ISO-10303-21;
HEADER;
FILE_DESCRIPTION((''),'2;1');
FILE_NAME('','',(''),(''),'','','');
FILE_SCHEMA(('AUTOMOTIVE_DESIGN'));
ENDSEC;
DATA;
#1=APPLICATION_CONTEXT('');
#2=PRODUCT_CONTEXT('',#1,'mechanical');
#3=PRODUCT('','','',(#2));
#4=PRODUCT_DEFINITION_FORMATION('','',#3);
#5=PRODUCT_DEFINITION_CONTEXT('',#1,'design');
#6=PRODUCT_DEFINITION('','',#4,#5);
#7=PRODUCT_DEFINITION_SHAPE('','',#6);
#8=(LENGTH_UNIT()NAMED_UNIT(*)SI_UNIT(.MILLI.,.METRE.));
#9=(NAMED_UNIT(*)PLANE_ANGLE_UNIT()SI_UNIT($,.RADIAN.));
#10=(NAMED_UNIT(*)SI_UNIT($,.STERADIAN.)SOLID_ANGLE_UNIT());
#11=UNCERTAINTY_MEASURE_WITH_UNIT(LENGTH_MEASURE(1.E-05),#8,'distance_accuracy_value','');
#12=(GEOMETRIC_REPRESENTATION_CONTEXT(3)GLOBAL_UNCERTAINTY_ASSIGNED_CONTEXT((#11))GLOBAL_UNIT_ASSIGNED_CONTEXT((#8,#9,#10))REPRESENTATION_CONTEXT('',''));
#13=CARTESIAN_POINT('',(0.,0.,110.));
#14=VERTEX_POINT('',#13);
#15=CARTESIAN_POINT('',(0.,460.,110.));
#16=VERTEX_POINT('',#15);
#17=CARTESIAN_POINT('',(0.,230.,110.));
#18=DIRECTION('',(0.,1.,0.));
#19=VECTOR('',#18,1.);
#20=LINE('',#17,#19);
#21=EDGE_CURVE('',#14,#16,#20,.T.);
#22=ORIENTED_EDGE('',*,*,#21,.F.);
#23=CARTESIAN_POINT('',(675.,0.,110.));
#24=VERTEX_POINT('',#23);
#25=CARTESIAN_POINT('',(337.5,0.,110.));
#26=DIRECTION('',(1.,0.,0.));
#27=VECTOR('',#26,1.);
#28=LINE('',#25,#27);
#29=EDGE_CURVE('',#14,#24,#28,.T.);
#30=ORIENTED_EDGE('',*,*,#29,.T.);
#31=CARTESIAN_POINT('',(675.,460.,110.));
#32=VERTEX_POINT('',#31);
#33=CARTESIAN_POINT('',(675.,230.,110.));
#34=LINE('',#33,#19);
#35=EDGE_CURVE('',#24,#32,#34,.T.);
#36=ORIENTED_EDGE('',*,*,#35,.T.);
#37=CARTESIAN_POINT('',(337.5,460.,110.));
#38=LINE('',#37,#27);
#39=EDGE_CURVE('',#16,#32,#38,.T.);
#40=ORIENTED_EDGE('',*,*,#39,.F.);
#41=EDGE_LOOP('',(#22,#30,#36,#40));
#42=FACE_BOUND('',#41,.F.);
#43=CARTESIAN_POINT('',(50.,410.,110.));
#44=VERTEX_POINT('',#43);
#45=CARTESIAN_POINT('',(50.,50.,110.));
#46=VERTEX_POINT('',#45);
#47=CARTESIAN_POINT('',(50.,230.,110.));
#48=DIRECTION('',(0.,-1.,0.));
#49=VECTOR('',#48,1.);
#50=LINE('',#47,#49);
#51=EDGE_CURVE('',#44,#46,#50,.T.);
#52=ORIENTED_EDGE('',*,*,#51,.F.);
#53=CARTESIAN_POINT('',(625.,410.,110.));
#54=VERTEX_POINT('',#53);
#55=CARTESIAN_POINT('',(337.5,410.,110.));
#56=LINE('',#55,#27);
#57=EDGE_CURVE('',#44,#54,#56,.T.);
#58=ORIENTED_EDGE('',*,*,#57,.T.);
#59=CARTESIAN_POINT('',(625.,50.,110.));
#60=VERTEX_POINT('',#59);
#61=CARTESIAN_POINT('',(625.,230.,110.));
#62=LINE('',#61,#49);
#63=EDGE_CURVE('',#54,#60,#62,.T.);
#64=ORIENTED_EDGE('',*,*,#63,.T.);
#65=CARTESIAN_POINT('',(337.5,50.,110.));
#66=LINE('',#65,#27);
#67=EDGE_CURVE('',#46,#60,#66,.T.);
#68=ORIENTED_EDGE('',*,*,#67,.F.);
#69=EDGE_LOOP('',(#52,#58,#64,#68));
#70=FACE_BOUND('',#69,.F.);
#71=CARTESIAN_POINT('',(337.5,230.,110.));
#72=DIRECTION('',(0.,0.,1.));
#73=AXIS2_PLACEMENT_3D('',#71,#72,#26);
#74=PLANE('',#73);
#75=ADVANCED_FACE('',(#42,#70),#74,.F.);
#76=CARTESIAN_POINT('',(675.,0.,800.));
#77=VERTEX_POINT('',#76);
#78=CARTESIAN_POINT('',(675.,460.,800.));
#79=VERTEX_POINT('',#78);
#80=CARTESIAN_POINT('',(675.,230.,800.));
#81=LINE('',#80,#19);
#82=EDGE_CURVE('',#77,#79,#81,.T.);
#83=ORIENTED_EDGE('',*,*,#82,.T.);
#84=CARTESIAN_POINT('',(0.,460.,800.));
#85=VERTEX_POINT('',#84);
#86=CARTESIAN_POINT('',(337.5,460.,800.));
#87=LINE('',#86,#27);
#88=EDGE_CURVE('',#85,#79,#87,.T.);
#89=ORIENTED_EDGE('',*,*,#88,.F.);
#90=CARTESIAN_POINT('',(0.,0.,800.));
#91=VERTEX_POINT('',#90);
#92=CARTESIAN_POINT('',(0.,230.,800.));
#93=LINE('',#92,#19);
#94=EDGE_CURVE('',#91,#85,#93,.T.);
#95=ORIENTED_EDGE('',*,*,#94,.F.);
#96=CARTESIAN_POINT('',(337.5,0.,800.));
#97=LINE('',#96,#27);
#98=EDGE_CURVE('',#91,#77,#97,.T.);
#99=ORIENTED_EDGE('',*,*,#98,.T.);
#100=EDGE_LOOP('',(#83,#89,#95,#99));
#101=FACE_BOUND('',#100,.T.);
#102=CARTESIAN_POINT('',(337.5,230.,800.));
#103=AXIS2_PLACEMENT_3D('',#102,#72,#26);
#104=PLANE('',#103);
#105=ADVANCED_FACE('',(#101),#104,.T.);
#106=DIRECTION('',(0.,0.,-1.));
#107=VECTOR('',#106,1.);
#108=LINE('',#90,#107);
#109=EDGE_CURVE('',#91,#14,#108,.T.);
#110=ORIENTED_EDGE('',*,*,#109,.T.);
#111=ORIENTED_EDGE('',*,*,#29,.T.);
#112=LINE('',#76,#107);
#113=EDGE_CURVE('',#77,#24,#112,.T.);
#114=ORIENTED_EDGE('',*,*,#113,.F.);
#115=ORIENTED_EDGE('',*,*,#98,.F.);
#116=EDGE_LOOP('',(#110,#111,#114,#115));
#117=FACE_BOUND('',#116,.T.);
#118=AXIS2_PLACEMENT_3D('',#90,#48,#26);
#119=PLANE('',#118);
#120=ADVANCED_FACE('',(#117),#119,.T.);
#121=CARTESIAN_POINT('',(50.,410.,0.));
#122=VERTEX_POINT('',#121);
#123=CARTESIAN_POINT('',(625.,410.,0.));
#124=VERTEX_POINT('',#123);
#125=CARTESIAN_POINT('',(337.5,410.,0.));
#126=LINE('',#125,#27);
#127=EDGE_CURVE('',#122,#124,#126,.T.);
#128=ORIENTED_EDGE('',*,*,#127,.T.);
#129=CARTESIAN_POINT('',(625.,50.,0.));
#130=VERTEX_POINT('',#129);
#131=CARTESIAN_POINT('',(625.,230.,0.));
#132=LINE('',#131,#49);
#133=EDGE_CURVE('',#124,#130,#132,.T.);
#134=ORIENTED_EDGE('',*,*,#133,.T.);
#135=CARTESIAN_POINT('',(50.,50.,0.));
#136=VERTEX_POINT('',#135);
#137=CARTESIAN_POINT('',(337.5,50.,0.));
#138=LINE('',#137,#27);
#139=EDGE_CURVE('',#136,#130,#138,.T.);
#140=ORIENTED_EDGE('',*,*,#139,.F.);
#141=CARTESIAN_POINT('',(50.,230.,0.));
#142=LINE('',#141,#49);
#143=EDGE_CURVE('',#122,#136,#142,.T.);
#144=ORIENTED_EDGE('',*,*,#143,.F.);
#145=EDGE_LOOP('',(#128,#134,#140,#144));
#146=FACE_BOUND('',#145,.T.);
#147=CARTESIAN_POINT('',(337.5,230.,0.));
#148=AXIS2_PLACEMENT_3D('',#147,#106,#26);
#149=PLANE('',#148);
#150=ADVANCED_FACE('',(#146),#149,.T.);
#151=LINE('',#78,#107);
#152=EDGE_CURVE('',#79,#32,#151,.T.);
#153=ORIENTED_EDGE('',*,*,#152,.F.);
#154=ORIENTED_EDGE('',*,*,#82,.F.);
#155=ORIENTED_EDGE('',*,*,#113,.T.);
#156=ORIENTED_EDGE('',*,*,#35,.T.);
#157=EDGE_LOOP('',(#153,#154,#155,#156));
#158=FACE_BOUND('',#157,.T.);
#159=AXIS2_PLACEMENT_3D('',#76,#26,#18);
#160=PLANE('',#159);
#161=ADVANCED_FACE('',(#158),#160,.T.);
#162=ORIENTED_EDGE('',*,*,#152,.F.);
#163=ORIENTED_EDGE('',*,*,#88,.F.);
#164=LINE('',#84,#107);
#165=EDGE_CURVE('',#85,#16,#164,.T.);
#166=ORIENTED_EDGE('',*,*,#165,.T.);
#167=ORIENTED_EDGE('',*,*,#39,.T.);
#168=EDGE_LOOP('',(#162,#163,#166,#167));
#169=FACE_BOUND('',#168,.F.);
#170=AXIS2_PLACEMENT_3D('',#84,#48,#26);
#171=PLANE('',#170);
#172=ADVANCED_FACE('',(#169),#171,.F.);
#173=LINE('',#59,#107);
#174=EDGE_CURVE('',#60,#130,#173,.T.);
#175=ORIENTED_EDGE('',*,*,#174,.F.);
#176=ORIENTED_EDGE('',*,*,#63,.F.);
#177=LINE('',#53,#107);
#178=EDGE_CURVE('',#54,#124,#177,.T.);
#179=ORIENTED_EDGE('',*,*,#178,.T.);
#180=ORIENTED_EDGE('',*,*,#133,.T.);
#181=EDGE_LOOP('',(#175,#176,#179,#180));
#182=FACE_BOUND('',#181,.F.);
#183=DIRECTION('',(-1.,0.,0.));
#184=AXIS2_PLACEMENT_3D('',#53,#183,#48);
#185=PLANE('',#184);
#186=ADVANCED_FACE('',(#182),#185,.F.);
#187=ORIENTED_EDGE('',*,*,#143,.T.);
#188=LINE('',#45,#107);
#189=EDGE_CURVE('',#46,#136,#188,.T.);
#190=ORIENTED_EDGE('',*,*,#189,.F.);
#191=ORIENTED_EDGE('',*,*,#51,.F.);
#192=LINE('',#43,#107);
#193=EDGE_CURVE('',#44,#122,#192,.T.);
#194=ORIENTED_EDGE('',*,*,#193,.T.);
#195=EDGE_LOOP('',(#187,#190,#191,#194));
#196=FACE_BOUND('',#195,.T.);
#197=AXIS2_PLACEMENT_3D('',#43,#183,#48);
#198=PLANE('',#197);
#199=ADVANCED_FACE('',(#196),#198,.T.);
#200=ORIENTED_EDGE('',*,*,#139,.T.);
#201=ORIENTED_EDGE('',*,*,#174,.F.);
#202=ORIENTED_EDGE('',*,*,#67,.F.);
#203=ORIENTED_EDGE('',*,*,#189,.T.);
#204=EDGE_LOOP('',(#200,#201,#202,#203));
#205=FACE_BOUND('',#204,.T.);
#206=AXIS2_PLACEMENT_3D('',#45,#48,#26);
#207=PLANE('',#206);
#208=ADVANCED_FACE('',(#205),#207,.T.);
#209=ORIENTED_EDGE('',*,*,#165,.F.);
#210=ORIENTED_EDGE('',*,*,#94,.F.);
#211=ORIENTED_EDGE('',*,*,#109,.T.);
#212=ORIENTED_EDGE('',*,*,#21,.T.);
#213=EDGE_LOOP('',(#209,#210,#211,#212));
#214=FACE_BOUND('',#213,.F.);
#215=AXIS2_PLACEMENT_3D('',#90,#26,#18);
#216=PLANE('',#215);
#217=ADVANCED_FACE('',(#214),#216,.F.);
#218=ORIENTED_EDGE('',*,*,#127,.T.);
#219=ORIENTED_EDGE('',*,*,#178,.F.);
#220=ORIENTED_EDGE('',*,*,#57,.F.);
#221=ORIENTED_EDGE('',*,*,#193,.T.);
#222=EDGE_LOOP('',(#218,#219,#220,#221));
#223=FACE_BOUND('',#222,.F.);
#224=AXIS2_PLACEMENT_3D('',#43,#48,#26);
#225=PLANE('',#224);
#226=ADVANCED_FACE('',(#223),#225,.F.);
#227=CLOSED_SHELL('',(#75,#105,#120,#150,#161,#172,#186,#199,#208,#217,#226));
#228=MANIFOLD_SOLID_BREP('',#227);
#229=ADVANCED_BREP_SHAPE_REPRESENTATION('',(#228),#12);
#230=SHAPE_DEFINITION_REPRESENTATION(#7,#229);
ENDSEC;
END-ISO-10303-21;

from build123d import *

# Parameters (mm, degrees)
F1_W     = 675
F1_H     = 460
F2_DEPTH = 690
F3_W     = 575
F3_H     = 360
F4_DEPTH = 110


with BuildPart() as f2:
    # F1 (on offset) → F2 (new body, through all)
    with BuildSketch(Plane.XY.offset(800)):
        with Locations((337.5, 230)):
            Rectangle(F1_W, F1_H)
    extrude(amount=-F2_DEPTH)

    # F3 (on face) → F4 (join, through all)
    with BuildSketch(Plane(origin=(0, 0, 110), x_dir=(1, 0, 0), z_dir=(0, 0, -1))):
        with Locations((337.5, -230)):
            Rectangle(F3_W, F3_H)
    extrude(amount=F4_DEPTH)


solid = f2.part
